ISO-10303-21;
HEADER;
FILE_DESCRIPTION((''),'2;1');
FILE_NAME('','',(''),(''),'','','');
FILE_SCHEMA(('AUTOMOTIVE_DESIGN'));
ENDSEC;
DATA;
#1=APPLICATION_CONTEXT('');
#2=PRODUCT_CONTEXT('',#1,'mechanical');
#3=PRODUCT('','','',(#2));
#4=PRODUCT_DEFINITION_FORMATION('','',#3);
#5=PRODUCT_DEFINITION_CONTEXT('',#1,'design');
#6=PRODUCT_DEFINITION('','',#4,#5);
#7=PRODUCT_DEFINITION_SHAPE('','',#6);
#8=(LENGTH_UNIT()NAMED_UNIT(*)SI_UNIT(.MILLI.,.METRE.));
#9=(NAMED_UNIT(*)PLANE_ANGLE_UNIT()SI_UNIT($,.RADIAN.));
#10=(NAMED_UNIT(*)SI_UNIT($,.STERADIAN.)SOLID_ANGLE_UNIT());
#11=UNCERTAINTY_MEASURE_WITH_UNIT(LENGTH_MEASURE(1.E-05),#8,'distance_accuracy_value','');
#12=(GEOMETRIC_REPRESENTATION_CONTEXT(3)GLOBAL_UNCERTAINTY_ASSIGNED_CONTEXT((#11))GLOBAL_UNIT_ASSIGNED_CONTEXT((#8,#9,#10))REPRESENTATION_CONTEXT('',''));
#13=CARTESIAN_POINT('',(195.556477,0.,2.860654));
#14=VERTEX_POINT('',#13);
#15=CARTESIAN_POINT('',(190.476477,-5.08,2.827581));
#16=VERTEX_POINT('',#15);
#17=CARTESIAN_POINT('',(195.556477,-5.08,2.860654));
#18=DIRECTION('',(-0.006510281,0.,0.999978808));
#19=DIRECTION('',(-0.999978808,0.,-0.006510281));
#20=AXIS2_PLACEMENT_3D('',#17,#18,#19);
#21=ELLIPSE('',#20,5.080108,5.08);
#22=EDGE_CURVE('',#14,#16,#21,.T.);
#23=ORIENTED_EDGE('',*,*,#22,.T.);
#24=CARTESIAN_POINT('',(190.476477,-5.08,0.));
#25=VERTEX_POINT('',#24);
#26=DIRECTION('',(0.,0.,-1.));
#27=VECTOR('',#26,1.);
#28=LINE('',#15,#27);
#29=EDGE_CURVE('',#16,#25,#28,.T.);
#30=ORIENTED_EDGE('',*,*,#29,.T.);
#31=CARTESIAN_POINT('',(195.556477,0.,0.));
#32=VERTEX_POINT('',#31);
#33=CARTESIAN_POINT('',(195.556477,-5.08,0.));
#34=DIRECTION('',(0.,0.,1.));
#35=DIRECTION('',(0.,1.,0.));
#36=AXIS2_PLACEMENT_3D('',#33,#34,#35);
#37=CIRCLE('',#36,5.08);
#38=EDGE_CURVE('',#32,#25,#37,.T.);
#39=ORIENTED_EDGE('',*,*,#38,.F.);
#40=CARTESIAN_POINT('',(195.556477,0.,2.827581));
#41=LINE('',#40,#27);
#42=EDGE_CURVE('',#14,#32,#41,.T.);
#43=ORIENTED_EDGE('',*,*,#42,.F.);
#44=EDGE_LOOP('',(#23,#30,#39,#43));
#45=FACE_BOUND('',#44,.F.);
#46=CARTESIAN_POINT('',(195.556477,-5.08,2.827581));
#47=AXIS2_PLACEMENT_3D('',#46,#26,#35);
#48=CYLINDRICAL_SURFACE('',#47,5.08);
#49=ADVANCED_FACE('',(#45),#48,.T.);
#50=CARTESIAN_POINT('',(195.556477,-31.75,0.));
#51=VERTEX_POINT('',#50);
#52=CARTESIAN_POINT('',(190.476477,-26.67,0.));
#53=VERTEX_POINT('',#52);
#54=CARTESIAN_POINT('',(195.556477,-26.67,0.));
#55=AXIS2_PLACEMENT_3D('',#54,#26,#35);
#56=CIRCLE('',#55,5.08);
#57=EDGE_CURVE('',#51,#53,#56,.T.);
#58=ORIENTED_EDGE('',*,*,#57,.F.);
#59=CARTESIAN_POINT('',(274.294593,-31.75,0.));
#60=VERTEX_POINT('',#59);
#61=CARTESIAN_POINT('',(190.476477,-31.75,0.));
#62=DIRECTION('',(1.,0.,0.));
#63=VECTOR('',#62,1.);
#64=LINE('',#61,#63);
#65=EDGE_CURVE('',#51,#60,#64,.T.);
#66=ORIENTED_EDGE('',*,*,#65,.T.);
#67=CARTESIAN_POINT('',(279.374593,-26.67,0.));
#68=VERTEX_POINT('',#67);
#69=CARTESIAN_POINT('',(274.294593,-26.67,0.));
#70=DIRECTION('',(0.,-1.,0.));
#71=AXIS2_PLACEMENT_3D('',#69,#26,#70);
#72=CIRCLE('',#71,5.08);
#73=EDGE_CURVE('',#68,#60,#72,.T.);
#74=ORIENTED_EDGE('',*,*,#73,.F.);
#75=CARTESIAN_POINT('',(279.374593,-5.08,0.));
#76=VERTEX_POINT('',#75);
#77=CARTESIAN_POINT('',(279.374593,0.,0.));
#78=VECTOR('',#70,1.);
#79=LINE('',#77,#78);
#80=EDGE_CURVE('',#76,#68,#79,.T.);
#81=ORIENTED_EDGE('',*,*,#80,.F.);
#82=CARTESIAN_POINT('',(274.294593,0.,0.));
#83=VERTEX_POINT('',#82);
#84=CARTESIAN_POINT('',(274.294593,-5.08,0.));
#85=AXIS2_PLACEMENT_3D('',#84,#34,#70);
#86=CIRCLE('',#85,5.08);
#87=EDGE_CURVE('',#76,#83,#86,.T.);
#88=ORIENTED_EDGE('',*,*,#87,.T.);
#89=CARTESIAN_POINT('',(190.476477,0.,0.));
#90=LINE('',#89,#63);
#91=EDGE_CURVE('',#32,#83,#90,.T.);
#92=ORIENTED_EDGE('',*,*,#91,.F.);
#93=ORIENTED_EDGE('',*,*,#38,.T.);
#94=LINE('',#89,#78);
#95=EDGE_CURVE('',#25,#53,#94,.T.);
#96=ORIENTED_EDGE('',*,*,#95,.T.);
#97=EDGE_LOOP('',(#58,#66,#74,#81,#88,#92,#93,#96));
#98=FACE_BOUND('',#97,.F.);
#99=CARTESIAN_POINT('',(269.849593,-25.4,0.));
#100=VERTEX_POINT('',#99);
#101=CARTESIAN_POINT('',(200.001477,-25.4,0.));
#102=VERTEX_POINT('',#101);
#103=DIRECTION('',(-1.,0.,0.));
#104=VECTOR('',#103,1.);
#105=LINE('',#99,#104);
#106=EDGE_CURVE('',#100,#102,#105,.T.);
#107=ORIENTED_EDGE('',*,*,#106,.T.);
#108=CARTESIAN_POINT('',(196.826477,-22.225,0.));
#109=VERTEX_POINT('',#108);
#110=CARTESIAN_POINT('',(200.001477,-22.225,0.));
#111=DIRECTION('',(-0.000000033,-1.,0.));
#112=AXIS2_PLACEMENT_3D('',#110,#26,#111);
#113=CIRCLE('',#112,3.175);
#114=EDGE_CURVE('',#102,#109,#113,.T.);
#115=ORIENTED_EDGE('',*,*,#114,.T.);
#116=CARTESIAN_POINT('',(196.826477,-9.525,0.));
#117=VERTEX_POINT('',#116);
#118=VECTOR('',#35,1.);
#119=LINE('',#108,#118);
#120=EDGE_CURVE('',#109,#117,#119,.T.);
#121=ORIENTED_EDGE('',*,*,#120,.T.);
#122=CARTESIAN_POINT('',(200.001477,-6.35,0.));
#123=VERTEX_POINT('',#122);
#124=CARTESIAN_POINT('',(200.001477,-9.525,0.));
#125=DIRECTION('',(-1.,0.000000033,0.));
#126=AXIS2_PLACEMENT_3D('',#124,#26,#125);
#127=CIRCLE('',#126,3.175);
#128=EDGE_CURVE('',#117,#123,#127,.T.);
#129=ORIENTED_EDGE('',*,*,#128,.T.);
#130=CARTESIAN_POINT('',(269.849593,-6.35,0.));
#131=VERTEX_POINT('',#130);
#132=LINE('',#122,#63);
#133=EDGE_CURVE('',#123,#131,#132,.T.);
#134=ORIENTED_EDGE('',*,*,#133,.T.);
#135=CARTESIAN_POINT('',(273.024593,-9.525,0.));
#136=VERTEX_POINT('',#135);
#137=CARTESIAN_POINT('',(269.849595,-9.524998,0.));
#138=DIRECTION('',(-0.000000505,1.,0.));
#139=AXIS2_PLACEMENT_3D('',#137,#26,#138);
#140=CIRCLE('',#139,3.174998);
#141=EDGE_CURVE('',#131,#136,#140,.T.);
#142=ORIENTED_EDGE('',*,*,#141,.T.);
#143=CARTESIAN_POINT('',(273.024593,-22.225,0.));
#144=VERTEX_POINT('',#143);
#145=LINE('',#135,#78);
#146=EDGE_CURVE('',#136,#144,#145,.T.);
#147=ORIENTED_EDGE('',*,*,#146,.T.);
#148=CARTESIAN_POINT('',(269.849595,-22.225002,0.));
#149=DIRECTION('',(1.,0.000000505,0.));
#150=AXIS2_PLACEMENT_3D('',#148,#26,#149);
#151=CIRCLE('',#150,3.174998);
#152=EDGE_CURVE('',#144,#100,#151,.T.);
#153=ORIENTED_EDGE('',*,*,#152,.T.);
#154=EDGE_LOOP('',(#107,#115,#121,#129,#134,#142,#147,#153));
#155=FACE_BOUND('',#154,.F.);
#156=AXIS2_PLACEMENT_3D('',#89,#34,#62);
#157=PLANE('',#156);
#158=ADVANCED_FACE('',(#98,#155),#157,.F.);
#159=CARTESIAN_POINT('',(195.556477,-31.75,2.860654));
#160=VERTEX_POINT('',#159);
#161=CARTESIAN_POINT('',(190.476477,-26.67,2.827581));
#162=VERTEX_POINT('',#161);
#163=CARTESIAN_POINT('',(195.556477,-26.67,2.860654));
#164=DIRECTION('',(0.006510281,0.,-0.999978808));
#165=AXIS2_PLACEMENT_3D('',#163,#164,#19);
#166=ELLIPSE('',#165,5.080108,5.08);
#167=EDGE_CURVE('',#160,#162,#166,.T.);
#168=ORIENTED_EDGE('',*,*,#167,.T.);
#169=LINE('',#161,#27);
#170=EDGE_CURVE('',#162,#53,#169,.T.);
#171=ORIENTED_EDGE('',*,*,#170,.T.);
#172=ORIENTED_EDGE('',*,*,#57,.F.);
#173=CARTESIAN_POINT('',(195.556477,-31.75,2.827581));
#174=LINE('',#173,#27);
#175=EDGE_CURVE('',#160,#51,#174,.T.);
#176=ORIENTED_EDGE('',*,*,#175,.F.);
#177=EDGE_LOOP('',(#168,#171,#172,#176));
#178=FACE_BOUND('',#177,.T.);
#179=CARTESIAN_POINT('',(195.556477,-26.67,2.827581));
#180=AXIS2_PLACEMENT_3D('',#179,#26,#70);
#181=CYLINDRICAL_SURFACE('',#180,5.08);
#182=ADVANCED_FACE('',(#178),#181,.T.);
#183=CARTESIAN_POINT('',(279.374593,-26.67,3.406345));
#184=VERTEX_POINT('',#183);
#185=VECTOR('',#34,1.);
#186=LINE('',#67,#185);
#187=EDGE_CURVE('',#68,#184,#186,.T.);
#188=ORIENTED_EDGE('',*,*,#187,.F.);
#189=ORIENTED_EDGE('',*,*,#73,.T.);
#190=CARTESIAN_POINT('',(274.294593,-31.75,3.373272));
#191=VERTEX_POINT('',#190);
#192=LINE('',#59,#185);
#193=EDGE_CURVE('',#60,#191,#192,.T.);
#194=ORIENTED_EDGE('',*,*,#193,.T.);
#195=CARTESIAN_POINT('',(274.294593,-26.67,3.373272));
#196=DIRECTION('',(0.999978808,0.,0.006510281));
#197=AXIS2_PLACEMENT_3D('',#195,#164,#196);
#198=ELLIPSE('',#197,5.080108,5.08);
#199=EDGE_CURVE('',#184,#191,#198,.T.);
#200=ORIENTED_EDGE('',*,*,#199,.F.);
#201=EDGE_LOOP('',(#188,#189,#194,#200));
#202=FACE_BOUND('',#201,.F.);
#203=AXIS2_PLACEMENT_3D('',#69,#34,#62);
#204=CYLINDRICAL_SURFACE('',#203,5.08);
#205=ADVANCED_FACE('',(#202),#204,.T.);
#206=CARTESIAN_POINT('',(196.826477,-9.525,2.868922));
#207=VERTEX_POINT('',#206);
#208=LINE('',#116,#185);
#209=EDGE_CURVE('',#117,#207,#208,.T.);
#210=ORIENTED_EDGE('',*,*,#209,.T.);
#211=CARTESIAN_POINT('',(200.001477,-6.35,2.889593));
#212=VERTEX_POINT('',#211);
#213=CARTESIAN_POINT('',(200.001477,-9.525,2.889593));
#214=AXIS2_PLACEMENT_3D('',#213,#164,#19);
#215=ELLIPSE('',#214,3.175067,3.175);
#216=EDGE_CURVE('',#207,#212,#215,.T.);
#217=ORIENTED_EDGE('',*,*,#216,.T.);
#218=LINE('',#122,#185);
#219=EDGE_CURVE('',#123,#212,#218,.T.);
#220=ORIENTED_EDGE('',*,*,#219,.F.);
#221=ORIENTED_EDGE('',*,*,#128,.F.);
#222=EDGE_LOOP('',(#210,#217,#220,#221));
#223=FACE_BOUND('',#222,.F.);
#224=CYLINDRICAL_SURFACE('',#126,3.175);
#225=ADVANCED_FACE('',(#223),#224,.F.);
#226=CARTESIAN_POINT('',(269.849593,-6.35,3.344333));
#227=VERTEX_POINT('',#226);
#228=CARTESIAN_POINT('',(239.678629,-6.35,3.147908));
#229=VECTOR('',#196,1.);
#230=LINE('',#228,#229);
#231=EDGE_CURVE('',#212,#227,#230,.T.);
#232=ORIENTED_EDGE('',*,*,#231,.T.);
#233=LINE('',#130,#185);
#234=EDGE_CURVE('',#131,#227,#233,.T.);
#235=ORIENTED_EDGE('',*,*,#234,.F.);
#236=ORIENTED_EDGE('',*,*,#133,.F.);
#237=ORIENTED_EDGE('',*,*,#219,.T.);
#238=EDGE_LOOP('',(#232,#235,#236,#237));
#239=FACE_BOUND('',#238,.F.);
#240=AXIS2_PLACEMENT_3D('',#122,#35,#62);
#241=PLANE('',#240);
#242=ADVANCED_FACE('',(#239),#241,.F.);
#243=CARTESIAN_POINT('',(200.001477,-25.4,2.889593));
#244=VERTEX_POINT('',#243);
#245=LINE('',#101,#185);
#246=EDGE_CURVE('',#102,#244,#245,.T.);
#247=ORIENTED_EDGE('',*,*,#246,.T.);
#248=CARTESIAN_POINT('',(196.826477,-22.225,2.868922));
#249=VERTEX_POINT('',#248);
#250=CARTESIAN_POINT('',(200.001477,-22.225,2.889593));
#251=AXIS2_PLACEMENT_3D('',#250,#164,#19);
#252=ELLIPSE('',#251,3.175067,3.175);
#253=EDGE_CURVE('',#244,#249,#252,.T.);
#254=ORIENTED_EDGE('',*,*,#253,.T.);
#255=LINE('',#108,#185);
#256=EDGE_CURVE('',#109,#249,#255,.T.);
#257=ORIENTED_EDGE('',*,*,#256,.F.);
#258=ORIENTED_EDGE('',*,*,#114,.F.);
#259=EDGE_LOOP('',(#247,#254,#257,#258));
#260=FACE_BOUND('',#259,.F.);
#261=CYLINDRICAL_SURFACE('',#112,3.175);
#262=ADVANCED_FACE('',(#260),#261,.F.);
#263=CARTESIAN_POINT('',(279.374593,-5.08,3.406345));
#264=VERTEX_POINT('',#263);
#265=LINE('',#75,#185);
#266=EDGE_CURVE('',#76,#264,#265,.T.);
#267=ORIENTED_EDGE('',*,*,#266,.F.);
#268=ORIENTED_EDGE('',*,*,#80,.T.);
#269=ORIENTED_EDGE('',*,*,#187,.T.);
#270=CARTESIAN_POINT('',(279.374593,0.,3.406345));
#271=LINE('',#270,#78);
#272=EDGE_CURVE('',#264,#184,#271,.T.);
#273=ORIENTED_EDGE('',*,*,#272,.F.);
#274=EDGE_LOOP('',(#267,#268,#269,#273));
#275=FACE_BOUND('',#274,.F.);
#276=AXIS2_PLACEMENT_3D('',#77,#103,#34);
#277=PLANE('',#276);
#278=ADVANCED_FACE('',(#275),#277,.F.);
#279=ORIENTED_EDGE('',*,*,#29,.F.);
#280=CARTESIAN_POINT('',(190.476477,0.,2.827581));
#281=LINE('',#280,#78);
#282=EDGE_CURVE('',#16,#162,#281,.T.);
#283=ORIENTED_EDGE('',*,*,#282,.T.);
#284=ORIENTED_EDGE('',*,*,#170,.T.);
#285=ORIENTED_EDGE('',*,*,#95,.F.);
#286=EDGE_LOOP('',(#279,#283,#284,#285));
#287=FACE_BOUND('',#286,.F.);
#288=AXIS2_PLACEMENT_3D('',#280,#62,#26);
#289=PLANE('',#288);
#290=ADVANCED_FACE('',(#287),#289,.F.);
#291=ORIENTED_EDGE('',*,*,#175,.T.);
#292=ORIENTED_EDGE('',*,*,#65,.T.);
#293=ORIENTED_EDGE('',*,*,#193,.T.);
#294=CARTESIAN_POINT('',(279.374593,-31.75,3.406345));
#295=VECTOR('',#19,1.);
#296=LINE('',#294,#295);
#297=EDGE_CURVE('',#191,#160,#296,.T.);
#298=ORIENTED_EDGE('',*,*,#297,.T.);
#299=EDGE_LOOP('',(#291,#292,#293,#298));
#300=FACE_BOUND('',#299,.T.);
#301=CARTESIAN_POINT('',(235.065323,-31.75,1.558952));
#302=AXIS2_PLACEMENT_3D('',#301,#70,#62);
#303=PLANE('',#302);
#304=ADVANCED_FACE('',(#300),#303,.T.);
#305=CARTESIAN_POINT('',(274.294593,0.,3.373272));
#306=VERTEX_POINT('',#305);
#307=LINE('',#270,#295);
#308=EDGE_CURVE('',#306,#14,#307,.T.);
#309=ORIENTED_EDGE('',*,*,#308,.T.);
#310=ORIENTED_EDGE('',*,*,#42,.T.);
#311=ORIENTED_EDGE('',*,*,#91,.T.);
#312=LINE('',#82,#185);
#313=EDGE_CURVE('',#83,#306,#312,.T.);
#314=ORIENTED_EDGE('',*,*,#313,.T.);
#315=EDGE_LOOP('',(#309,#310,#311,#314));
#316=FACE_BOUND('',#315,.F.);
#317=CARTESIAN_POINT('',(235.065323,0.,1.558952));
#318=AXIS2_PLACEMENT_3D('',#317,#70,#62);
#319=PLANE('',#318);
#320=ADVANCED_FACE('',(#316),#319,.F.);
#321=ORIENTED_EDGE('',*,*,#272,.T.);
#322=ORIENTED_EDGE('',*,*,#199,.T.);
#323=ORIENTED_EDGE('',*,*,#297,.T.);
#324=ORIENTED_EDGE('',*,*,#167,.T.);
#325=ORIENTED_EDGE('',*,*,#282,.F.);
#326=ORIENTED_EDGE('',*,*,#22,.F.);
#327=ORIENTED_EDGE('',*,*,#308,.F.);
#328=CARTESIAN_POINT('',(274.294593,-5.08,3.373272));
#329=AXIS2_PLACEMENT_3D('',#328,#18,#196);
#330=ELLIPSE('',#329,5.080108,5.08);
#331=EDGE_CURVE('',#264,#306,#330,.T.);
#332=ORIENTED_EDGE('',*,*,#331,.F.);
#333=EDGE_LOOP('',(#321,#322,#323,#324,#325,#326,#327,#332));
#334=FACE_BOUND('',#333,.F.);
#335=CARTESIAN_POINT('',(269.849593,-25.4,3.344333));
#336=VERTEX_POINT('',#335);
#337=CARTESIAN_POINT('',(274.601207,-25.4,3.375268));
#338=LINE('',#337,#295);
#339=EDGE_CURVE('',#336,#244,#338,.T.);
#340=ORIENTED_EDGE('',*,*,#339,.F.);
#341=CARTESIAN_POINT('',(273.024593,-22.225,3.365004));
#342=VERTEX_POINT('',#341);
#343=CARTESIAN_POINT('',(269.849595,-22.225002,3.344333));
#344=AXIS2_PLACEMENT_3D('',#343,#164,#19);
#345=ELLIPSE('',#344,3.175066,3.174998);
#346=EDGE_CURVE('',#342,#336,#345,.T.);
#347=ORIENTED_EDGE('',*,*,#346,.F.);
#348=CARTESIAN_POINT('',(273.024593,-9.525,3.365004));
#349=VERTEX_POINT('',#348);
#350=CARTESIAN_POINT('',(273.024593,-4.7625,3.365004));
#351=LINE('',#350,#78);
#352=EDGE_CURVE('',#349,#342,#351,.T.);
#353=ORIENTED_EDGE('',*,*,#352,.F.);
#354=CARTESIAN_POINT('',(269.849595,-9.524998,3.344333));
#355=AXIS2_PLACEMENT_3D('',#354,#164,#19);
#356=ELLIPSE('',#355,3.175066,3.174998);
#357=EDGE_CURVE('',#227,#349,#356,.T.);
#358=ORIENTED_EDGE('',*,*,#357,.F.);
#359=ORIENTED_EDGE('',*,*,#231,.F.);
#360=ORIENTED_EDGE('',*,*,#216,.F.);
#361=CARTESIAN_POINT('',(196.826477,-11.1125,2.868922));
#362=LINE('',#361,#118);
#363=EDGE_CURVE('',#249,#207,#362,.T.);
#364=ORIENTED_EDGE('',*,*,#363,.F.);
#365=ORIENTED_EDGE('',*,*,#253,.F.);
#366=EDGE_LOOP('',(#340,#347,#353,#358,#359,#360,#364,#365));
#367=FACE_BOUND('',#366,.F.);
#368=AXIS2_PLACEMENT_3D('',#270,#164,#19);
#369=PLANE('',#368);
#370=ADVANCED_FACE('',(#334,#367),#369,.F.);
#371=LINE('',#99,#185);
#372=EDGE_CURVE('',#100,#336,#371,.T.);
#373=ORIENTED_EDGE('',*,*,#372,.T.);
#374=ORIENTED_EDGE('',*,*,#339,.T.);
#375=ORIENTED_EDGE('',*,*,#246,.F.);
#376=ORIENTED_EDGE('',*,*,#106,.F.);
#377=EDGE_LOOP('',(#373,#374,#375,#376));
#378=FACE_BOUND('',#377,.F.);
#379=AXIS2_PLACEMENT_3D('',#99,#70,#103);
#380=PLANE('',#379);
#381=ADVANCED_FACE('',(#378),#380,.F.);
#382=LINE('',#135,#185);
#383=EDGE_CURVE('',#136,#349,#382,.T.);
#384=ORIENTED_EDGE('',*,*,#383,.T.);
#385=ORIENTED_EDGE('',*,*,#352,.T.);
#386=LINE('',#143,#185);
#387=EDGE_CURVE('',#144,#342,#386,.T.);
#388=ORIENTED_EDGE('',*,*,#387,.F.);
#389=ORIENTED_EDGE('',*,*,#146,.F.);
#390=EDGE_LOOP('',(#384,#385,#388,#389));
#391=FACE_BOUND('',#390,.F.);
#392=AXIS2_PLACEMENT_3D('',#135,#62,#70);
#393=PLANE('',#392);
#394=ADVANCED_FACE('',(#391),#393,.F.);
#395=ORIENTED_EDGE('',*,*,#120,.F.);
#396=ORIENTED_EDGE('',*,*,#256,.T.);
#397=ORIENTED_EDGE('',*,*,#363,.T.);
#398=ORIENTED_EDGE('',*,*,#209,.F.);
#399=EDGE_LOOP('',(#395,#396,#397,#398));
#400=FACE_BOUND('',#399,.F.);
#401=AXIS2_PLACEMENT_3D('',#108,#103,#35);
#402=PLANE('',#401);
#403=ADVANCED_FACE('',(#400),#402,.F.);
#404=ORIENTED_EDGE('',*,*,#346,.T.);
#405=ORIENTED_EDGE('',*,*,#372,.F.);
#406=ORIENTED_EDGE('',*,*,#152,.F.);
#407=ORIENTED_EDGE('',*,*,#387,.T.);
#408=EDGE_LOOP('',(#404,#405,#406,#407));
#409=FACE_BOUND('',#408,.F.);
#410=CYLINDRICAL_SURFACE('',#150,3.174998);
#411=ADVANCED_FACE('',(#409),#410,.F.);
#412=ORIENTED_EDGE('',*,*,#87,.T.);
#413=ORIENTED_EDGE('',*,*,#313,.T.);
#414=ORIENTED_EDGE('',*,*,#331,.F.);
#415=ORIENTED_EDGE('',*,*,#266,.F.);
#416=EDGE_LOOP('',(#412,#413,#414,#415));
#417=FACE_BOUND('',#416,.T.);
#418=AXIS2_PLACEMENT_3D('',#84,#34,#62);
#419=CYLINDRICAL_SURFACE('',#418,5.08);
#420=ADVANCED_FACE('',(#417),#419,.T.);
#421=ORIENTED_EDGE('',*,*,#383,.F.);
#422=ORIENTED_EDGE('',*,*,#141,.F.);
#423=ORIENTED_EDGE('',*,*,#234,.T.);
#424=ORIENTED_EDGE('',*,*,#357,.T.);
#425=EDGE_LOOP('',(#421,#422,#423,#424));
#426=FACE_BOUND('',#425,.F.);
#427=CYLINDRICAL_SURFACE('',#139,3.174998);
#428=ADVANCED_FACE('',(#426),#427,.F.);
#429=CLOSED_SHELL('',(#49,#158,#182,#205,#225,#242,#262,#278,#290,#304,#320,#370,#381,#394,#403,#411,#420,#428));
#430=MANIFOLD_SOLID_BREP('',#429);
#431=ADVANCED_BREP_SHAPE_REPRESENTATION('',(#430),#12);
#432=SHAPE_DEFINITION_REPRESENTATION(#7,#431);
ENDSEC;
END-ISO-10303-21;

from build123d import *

# Parameters (mm, degrees)
F4_DEPTH = 31.75
F6_DEPTH = 3.407345
F7_R     = 5.08


with BuildPart() as f4:
    # F3 (on face) → F4 (new body)
    with BuildSketch(Plane.XZ):
        Polygon((279.374593, 0), (279.374593, 3.406345), (190.476477, 2.827581), (190.476477, 0), align=None)
    extrude(amount=F4_DEPTH)

    # F5 (on face) → F6 (cut, through all)
    with BuildSketch(Plane(origin=(0, 0, 0), x_dir=(1, 0, 0), z_dir=(0, 0, -1))):
        with BuildLine():
            Line((269.849593, 25.4), (200.001477, 25.4))
            ThreePointArc((200.001477, 25.4), (197.756413, 24.470064), (196.826477, 22.225))
            Line((196.826477, 22.225), (196.826477, 9.525))
            ThreePointArc((196.826477, 9.525), (197.756413, 7.279936), (200.001477, 6.35))
            Line((200.001477, 6.35), (269.849593, 6.35))
            ThreePointArc((269.849593, 6.35), (272.094658, 7.279936), (273.024593, 9.525))
            Line((273.024593, 9.525), (273.024593, 22.225))
            ThreePointArc((273.024593, 22.225), (272.094658, 24.470064), (269.849593, 25.4))
        make_face()
    extrude(amount=-F6_DEPTH, mode=Mode.SUBTRACT)

    # F7
    f7_edges = [f4.edges().sort_by_distance(p)[0] for p in [
        (279.374593, -31.75, 1.703173),
        (190.476477, -31.75, 1.413791),
        (190.476477, 0, 1.413791),
        (279.374593, 0, 1.703173),
    ]]
    fillet(f7_edges, radius=F7_R)


solid = f4.part
